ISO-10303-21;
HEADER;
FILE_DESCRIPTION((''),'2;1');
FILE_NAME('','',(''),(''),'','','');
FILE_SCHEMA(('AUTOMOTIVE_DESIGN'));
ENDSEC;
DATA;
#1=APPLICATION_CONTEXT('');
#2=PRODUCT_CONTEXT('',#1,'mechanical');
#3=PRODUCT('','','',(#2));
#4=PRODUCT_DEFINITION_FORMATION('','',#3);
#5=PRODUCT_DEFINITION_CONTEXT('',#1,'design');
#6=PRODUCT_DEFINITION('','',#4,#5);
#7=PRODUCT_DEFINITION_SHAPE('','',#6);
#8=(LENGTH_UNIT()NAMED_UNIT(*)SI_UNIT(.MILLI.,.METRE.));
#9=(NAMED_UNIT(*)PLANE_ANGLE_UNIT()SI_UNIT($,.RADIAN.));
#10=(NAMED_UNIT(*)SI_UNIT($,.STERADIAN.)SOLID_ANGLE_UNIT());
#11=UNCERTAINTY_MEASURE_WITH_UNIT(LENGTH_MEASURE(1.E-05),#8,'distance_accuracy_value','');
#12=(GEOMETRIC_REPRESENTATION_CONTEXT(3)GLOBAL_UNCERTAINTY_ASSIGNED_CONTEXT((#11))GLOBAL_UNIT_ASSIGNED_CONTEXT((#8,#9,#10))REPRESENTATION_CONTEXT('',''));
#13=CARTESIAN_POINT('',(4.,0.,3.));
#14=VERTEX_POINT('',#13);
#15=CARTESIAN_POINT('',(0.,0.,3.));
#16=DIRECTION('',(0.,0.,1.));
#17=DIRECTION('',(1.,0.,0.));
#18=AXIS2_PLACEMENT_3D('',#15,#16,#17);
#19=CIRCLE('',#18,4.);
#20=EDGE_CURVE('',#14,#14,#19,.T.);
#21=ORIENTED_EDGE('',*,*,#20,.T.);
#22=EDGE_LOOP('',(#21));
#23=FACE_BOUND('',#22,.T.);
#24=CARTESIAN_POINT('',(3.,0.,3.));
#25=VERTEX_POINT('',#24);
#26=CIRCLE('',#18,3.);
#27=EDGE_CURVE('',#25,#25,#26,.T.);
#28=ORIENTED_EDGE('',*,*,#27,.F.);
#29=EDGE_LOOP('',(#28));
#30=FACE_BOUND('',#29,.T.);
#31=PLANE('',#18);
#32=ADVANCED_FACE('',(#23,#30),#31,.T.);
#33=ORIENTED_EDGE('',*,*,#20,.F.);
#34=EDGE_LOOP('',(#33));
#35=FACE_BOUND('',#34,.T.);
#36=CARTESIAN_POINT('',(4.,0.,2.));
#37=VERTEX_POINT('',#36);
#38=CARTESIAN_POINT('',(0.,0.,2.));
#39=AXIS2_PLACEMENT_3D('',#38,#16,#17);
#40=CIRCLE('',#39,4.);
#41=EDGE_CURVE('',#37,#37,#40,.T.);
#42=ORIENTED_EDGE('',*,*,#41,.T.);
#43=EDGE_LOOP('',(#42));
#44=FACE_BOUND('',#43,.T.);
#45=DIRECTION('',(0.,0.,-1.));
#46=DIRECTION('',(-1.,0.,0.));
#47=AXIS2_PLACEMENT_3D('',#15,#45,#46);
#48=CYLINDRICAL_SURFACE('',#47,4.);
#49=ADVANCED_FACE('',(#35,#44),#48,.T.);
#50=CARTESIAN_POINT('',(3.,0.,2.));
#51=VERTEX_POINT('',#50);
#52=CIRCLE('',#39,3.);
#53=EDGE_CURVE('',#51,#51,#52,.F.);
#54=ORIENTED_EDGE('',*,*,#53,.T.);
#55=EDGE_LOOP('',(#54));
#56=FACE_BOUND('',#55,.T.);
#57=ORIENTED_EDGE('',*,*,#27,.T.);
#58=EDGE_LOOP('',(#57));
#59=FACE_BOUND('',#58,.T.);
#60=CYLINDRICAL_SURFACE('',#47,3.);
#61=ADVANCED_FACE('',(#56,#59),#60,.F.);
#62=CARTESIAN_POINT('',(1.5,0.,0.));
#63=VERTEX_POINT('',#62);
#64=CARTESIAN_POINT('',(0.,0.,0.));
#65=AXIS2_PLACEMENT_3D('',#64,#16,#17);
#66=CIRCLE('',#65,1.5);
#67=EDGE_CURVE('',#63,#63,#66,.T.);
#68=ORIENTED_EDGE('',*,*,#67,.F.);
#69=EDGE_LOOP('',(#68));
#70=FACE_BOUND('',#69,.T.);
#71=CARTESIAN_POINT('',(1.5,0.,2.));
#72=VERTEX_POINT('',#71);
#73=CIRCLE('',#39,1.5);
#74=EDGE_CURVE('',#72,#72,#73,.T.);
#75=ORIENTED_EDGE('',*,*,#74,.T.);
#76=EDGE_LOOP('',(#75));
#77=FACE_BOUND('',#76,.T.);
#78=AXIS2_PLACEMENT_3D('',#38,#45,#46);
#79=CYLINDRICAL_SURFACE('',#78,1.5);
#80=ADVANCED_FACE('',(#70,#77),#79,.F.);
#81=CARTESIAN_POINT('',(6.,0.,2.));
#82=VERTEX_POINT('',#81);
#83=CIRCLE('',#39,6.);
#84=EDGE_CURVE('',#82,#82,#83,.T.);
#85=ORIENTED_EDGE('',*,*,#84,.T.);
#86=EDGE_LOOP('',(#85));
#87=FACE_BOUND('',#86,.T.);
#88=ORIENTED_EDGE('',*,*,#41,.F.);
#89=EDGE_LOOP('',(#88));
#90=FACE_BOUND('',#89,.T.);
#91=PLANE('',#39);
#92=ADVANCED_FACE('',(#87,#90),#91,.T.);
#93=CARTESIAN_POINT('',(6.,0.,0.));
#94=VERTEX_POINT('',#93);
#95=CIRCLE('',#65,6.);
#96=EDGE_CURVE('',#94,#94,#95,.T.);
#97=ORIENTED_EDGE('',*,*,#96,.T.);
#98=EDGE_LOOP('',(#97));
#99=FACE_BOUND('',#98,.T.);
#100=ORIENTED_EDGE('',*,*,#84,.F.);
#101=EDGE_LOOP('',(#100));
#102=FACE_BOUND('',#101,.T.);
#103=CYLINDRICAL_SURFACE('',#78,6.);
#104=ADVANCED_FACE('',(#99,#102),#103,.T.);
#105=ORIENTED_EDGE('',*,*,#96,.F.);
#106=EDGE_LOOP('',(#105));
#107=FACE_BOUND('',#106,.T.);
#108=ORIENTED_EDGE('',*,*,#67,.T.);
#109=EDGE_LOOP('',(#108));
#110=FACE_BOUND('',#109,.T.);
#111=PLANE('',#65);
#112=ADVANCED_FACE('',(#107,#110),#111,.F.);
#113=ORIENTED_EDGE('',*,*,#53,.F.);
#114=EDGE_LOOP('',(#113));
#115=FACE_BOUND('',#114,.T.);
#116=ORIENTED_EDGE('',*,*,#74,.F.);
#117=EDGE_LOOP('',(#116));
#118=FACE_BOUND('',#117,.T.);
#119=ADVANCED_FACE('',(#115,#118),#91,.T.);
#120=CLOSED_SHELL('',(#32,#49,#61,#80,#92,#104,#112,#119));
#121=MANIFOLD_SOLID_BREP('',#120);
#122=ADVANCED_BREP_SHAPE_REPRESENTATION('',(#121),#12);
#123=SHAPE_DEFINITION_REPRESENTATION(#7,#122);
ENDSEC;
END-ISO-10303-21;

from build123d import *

# Parameters (mm, degrees)
SKETCH1_R           = 6
SKETCH1_R_2         = 1.5
BOSS_EXTRUDE1_DEPTH = 2
SKETCH2_R           = 4
SKETCH2_R_2         = 3
BOSS_EXTRUDE2_DEPTH = 1


with BuildPart() as part:
    # Sketch1 → Boss-Extrude1 (new body)
    with BuildSketch(Plane.XY):
        Circle(SKETCH1_R)
        Circle(SKETCH1_R_2, mode=Mode.SUBTRACT)
    extrude(amount=BOSS_EXTRUDE1_DEPTH)

    # Sketch2 → Boss-Extrude2 (add)
    with BuildSketch(Plane.XY.offset(2)):
        Circle(SKETCH2_R)
        Circle(SKETCH2_R_2, mode=Mode.SUBTRACT)
    extrude(amount=BOSS_EXTRUDE2_DEPTH)


solid = part.part
